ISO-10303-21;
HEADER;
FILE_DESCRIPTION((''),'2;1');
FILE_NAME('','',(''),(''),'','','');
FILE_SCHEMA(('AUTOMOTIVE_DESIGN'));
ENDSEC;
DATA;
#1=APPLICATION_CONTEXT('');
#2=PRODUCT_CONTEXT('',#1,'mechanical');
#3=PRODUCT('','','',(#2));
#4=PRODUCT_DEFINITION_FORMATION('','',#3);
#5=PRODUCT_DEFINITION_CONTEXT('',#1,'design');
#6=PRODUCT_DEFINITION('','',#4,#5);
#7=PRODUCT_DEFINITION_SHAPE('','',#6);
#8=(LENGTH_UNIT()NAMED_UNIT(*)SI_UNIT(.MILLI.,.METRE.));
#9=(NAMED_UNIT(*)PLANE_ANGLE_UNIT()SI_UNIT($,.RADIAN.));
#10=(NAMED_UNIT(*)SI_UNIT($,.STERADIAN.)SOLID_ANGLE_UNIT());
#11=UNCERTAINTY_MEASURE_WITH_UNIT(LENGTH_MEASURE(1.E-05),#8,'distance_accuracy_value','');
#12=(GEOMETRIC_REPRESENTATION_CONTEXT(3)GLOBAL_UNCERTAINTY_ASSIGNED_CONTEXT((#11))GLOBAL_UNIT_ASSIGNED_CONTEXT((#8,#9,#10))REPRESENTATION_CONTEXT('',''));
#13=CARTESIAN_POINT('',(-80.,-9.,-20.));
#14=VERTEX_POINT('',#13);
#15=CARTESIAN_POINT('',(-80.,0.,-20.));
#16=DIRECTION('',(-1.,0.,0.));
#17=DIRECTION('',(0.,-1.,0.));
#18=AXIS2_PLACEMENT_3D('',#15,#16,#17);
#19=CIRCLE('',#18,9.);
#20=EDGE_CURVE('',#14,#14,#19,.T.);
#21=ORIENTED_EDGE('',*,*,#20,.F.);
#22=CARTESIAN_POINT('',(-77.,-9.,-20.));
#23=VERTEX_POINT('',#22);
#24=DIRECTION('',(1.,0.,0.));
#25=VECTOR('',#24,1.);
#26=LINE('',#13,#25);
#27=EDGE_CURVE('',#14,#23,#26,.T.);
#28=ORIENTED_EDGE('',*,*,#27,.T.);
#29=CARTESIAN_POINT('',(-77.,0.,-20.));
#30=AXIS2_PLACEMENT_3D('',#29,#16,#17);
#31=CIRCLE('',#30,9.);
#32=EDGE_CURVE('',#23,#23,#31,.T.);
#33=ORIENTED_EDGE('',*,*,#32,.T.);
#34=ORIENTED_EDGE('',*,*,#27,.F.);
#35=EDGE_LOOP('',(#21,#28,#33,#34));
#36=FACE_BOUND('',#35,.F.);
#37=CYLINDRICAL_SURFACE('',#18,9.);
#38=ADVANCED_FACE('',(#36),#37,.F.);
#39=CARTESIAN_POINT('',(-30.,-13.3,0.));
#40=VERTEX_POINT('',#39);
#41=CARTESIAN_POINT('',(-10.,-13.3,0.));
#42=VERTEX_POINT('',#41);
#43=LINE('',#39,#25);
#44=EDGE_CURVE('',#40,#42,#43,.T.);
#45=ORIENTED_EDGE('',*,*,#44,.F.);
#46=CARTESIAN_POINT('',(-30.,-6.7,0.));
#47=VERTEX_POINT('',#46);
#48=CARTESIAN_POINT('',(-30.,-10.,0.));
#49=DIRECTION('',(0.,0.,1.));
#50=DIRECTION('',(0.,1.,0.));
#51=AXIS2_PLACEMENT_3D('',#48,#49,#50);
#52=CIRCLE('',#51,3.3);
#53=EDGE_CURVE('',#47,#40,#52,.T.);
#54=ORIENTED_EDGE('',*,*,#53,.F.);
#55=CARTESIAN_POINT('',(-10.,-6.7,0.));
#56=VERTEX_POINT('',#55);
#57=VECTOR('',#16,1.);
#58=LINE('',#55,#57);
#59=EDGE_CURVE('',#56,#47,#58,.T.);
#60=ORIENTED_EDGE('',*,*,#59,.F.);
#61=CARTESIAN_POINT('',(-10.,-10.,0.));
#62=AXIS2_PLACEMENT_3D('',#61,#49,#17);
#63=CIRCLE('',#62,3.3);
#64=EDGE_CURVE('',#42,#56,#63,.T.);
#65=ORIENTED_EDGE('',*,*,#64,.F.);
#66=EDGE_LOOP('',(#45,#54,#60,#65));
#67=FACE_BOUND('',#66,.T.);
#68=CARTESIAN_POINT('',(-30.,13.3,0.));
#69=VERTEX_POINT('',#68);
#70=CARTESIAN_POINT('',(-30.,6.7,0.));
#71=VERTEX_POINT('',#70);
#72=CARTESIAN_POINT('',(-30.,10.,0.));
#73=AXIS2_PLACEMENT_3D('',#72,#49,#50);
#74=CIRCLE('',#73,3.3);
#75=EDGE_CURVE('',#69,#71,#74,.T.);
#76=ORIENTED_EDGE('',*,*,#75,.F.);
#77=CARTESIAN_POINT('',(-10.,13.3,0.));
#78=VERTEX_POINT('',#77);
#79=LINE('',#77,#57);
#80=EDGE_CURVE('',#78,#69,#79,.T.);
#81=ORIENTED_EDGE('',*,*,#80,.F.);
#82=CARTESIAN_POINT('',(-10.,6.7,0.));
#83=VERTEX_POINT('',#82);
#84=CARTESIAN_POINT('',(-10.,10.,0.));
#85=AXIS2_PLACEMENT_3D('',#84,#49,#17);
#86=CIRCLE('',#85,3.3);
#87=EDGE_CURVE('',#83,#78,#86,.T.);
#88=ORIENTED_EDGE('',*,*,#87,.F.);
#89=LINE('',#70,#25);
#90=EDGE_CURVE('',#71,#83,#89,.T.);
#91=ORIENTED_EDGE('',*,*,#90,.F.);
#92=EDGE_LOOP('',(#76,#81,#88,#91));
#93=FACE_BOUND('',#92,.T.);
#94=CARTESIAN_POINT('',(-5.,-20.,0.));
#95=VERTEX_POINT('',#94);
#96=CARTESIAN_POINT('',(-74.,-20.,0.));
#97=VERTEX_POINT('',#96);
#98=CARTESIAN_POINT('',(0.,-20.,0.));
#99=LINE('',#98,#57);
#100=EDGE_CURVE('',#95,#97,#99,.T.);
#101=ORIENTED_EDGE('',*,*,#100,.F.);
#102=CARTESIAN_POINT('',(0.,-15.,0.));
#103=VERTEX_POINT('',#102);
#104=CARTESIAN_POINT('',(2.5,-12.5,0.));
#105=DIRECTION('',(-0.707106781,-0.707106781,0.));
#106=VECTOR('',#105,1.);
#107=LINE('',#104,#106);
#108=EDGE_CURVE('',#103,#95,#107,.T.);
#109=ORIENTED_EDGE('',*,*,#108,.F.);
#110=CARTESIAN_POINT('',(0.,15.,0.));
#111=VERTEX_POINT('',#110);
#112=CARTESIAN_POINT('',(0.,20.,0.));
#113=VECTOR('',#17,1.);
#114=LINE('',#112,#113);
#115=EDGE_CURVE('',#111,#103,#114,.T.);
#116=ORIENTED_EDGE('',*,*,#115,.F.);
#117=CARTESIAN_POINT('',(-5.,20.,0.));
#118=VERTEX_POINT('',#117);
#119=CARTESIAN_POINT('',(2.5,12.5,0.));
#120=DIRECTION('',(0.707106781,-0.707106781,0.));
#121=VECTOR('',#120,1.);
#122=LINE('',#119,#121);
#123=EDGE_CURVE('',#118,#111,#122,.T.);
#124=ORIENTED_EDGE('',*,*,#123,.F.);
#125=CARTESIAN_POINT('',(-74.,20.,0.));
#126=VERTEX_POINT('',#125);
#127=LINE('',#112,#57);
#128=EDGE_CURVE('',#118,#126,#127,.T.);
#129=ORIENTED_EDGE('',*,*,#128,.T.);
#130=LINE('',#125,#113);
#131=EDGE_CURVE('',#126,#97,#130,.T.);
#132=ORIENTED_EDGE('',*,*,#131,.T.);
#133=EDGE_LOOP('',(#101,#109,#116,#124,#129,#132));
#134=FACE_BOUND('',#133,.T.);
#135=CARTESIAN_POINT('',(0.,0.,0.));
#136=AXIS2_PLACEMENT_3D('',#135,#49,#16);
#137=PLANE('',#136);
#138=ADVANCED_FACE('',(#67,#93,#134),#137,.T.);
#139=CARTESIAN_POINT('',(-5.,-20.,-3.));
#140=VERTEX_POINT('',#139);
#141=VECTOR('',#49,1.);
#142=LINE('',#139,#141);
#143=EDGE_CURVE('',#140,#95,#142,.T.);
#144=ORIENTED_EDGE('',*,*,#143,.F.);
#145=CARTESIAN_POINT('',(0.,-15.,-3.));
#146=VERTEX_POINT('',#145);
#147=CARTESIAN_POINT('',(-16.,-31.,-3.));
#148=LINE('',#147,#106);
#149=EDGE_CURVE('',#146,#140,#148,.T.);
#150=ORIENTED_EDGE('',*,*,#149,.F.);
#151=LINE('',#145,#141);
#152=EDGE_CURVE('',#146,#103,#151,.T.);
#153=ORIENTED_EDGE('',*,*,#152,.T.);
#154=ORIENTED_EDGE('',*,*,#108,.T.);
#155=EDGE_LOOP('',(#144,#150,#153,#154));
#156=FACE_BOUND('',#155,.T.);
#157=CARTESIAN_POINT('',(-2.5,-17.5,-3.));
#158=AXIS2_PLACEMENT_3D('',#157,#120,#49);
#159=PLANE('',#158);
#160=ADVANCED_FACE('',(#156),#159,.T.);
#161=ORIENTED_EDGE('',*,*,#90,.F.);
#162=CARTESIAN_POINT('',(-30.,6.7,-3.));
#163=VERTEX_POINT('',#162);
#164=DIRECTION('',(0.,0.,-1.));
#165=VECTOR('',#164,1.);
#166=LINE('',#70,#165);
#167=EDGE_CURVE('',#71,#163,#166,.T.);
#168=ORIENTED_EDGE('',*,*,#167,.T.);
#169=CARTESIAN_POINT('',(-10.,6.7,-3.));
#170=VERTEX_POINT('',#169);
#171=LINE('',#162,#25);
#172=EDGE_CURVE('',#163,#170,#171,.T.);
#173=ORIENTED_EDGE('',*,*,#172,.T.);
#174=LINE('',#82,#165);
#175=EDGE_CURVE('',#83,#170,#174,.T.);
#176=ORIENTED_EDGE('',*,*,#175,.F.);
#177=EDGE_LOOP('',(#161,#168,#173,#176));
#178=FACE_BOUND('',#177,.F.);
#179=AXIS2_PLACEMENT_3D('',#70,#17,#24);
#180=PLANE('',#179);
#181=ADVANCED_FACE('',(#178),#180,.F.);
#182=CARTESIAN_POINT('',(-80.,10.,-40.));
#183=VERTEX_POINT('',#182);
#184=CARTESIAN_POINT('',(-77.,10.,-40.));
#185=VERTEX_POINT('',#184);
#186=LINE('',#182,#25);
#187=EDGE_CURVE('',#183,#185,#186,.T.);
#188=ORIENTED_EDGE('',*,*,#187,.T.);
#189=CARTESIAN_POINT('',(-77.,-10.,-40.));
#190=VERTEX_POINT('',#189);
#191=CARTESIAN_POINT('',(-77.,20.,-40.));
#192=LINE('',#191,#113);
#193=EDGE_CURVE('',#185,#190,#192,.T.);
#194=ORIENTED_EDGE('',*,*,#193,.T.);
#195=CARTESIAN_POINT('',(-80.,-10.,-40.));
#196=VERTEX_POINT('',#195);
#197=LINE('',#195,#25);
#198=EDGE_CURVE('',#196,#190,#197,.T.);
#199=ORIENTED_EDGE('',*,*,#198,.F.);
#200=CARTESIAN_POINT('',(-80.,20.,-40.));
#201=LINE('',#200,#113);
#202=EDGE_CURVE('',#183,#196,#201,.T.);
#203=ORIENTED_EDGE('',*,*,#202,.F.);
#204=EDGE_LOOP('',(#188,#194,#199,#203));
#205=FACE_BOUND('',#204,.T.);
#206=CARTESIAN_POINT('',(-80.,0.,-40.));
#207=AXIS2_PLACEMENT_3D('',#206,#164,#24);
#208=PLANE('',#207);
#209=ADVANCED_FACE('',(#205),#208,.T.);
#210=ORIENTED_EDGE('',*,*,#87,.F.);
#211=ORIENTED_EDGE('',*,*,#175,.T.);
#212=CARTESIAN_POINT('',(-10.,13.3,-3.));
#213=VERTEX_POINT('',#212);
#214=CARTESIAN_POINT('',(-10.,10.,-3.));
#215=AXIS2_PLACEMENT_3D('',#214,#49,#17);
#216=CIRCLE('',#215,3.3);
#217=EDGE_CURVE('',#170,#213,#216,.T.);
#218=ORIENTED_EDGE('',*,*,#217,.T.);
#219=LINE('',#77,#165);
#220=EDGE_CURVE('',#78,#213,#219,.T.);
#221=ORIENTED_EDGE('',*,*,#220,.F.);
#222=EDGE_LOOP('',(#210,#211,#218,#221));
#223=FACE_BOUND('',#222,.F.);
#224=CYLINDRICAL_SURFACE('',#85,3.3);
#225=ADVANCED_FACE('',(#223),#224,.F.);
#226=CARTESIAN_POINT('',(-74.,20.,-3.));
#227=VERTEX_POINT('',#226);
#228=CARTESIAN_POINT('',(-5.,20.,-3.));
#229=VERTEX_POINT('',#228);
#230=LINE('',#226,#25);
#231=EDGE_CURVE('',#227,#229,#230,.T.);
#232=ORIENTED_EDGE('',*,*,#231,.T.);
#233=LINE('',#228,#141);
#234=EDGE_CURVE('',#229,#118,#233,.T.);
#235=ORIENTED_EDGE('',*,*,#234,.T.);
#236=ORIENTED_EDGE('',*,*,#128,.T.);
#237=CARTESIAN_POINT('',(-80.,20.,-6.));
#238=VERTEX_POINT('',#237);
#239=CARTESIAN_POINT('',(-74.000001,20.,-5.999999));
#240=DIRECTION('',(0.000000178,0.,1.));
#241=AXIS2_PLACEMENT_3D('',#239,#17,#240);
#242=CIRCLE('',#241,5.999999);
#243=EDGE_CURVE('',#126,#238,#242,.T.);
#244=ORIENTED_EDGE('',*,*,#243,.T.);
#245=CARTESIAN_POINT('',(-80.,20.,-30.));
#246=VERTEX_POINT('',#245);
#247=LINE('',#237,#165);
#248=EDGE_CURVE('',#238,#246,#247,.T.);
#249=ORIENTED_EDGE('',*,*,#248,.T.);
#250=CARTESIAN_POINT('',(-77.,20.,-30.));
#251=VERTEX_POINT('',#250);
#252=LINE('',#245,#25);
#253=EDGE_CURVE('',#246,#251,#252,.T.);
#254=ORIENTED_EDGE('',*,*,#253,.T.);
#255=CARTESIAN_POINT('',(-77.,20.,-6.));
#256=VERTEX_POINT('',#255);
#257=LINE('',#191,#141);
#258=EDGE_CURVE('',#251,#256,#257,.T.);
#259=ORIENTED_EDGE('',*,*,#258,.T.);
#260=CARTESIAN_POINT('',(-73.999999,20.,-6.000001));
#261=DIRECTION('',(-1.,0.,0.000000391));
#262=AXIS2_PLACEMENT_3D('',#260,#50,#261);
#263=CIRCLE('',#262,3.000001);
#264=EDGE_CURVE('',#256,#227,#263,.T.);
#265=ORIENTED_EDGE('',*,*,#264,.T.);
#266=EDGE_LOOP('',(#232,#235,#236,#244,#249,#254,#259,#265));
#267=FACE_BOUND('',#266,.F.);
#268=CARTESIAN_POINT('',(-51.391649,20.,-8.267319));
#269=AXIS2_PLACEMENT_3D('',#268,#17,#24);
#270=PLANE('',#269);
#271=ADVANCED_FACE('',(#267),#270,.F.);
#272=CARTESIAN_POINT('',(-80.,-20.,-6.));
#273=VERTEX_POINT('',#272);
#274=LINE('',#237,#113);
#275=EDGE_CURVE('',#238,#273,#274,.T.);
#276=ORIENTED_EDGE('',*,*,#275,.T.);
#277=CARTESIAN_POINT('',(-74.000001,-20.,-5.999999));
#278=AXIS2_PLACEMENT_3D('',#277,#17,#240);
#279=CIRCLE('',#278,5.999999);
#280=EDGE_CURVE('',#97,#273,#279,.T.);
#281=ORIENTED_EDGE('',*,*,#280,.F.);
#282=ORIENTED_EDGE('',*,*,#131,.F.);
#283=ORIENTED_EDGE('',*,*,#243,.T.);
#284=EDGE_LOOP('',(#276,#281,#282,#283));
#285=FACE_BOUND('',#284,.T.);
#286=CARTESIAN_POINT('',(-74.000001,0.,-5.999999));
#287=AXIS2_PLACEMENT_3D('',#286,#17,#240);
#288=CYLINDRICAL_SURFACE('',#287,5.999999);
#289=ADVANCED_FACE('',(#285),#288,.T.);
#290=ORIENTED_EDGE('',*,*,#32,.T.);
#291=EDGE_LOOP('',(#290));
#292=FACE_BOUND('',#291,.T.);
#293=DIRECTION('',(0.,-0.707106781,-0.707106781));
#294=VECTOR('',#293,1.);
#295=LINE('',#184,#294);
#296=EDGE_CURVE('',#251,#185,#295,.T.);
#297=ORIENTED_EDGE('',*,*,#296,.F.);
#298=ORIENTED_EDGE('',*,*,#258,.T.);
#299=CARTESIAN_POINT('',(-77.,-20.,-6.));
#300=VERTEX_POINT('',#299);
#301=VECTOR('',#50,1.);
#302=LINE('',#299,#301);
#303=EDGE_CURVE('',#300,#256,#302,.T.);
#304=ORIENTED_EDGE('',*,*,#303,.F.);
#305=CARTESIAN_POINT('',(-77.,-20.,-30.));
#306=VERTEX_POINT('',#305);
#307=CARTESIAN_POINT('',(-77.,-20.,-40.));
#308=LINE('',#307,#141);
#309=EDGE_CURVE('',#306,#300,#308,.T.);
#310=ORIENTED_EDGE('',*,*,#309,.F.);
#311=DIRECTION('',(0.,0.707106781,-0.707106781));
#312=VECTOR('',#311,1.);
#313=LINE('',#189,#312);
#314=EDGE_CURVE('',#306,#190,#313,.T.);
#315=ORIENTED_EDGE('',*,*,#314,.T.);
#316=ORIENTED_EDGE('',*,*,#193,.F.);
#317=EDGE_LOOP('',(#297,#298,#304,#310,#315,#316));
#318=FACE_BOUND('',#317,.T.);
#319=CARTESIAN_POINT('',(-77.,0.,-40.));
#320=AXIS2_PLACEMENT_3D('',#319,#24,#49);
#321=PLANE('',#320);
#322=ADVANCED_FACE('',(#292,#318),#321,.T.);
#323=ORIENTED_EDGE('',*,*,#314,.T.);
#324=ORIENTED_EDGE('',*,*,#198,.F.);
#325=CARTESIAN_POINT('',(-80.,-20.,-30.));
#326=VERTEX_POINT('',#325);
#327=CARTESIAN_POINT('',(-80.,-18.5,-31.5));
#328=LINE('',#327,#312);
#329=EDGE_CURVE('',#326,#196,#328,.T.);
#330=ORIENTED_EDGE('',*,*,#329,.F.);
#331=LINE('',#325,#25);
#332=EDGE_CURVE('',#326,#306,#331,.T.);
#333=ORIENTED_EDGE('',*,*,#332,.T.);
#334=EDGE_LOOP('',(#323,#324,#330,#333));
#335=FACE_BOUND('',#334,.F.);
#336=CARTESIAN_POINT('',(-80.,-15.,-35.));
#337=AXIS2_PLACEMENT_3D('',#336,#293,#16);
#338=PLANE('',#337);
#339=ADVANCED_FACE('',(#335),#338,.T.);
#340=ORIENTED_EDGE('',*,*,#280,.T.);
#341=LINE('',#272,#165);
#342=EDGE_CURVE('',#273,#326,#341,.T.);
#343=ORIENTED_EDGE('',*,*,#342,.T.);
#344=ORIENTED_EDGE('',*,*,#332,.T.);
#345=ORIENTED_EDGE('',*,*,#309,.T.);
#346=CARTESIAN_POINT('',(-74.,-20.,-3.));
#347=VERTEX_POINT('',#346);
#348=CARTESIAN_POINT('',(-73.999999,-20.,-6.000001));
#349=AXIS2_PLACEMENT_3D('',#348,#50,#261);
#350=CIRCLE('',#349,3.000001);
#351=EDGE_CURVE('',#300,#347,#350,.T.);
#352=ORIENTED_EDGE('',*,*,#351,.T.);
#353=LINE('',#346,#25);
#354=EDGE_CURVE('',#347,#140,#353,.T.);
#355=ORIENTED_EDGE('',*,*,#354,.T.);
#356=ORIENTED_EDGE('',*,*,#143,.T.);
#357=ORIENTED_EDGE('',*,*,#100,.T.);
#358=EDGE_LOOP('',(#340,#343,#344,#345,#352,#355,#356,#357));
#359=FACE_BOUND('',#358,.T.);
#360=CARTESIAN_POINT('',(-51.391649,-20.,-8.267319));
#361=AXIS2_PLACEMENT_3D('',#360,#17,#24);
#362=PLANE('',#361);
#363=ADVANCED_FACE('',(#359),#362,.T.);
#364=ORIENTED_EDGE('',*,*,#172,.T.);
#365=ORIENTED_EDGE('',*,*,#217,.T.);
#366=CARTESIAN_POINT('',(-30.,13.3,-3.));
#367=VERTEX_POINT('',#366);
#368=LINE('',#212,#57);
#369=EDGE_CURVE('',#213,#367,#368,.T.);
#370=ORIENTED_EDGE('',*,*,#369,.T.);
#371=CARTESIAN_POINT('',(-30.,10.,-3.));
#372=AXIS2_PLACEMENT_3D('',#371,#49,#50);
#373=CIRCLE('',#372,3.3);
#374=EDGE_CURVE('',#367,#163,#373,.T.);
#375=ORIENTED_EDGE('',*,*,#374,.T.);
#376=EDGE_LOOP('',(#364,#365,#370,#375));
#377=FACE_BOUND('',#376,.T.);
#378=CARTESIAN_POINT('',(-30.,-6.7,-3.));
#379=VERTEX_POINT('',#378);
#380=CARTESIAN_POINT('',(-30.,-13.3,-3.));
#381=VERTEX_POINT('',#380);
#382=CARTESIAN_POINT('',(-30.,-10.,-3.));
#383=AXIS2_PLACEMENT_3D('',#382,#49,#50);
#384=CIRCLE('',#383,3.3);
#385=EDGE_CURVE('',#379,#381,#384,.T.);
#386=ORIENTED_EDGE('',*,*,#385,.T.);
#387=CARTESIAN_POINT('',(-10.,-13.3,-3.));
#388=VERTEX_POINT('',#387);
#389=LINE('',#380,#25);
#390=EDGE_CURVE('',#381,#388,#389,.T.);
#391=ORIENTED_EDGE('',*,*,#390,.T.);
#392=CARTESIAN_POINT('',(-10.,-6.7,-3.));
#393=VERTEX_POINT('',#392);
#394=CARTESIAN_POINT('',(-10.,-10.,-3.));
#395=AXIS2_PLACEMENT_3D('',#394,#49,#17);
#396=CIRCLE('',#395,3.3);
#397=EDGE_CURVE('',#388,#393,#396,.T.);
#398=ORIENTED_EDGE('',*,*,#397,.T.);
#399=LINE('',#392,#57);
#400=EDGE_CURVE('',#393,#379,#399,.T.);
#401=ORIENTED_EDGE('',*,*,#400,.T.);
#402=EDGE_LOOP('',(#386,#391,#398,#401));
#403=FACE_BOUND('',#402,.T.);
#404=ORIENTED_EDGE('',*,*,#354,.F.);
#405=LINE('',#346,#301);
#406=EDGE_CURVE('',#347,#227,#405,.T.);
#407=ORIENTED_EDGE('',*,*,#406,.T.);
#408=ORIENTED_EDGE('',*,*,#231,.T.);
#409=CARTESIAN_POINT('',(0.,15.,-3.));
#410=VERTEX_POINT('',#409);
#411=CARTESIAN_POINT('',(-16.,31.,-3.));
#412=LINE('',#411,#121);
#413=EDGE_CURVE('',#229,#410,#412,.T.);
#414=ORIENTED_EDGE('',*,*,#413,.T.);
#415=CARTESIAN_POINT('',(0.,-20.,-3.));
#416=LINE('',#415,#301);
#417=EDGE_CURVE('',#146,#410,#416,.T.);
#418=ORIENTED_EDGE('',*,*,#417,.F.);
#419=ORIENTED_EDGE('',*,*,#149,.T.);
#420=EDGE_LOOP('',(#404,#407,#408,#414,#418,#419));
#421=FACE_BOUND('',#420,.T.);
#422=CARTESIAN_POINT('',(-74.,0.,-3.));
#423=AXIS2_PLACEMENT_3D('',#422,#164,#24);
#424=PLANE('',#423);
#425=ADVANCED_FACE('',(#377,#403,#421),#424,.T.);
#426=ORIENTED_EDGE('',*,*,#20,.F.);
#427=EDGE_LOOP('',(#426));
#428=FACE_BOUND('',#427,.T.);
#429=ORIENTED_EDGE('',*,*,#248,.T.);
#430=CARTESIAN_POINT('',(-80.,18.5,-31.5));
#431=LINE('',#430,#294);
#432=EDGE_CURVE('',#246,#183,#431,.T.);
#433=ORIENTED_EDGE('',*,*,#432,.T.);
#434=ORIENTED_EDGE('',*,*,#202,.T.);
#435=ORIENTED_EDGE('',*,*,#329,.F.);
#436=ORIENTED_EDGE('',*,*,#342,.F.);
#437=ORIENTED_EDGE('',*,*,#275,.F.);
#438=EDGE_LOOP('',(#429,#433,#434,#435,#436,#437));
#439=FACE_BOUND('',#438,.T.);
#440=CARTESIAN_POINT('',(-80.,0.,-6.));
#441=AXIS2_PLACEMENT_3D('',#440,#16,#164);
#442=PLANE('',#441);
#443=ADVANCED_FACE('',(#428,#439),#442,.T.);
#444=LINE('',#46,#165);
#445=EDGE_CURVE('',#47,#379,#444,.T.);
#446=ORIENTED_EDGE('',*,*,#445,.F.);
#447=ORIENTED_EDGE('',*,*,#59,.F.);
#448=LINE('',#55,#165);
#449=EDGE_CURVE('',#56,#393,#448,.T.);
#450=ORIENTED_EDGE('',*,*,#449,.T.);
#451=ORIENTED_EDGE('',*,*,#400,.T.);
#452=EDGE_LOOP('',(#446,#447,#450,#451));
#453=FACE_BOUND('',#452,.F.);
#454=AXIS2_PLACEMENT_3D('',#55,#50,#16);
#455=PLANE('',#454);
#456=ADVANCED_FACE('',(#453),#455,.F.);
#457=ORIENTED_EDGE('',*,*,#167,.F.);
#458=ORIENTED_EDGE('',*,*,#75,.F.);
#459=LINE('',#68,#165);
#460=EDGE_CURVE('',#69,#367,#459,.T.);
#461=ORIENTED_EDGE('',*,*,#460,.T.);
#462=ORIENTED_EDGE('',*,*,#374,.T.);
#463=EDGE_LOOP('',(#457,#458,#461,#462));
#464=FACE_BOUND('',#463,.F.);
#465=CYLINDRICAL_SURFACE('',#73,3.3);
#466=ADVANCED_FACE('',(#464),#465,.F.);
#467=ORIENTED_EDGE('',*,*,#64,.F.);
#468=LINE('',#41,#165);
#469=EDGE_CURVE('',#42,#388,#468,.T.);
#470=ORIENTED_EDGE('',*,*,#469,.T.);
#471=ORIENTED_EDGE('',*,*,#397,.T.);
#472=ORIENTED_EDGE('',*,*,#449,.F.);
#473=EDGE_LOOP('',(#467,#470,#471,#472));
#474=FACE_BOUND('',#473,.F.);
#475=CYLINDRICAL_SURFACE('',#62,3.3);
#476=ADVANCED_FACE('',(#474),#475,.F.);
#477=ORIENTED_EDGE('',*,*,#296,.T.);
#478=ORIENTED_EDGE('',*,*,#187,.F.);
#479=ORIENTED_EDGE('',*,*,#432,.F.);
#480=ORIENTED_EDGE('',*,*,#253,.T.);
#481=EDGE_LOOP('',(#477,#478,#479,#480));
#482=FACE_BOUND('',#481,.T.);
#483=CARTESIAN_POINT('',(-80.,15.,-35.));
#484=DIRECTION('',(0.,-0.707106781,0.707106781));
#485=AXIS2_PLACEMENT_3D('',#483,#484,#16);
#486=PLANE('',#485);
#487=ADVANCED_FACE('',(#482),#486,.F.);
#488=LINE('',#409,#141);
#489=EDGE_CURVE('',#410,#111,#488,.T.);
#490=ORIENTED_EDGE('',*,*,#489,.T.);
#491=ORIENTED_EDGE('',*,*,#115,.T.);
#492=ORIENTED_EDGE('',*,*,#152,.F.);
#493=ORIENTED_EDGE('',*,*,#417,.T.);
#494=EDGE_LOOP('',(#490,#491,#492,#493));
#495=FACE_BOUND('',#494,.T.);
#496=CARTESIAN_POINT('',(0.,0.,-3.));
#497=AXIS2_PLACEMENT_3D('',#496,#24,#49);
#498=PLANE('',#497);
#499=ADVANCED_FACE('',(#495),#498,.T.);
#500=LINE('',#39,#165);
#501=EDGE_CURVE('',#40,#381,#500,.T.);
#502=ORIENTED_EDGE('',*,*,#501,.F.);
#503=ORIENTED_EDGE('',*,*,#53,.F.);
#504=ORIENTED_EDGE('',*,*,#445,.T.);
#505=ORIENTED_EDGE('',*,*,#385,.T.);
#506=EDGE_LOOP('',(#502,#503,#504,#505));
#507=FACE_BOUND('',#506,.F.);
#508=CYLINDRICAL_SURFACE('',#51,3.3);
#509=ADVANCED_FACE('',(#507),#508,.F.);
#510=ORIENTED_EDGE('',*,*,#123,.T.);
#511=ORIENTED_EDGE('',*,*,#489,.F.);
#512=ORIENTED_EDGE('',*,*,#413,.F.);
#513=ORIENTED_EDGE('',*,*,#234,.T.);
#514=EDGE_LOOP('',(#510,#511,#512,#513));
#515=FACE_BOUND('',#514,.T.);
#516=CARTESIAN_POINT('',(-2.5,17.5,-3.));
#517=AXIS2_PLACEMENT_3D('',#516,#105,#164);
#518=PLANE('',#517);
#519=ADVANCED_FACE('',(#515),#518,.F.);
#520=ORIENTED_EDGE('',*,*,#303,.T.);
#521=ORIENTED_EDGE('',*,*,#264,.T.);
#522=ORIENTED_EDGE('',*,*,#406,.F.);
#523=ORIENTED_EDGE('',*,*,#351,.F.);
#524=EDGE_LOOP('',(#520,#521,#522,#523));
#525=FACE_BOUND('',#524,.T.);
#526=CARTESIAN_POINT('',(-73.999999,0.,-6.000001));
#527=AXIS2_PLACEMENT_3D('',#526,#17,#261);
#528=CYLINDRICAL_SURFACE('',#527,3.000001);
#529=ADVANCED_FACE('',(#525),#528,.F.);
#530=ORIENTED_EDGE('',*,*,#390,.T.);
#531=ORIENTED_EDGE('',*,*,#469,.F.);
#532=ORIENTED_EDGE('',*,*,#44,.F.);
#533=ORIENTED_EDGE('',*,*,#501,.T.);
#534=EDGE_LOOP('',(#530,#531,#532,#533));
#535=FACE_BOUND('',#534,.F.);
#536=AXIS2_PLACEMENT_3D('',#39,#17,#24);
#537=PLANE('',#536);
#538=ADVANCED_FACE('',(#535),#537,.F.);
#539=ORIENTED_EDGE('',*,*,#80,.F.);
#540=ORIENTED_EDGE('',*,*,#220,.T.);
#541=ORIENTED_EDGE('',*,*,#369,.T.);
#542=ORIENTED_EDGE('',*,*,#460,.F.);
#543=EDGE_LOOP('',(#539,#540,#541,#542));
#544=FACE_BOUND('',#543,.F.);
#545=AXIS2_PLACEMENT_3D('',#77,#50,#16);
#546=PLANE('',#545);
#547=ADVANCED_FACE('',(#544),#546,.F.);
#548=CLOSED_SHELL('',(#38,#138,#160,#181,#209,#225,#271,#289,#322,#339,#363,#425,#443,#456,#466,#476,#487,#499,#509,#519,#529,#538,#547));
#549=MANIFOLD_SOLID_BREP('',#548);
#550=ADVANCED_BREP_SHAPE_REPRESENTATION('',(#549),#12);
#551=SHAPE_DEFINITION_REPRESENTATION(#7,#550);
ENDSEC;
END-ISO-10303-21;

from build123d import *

# Parameters (mm, degrees)
F1_DEPTH = 20
F2_R     = 9
F3_DEPTH = 4
F4_SIZE  = 10
F6_DEPTH = 3
F7_SIZE  = 5


with BuildPart() as f1:
    # F0 (on Front) → F1 (new body, symmetric)
    with BuildSketch(Plane.XZ):
        with BuildLine():
            Line((0, -3), (0, 0))
            Line((0, 0), (-74, 0))
            ThreePointArc((-74, 0), (-78.242641, -1.757359), (-80, -6))
            Line((-80, -6), (-80, -40))
            Line((-80, -40), (-77, -40))
            Line((-77, -40), (-77, -6))
            ThreePointArc((-77, -6), (-76.12132, -3.87868), (-74, -3))
            Line((-74, -3), (0, -3))
        make_face()
    extrude(amount=F1_DEPTH, both=True)

    # F2 (on face) → F3 (cut)
    with BuildSketch(Plane(origin=(-80, 0, 0), x_dir=(0, -1, 0), z_dir=(-1, 0, 0))):
        with Locations((0, -20)):
            Circle(F2_R)
    extrude(amount=-F3_DEPTH, mode=Mode.SUBTRACT)

    # F4
    f4_edges = [f1.edges().sort_by_distance(p)[0] for p in [
        (-78.5, -20, -40),
        (-78.5, 20, -40),
    ]]
    chamfer(f4_edges, length=F4_SIZE)

    # F5 (on face) → F6 (cut)
    with BuildSketch(Plane.XY):
        with BuildLine():
            Line((-10, -6.7), (-30, -6.7))
            ThreePointArc((-30, -6.7), (-33.3, -10), (-30, -13.3))
            Line((-30, -13.3), (-10, -13.3))
            ThreePointArc((-10, -13.3), (-6.7, -10), (-10, -6.7))
        make_face()
        with BuildLine():
            ThreePointArc((-30, 13.3), (-33.3, 10), (-30, 6.7))
            Line((-30, 6.7), (-10, 6.7))
            ThreePointArc((-10, 6.7), (-6.7, 10), (-10, 13.3))
            Line((-10, 13.3), (-30, 13.3))
        make_face()
    extrude(amount=-F6_DEPTH, mode=Mode.SUBTRACT)

    # F7
    f7_edges = [f1.edges().sort_by_distance(p)[0] for p in [
        (0, -20, -1.5),
        (0, 20, -1.5),
    ]]
    chamfer(f7_edges, length=F7_SIZE)


solid = f1.part
